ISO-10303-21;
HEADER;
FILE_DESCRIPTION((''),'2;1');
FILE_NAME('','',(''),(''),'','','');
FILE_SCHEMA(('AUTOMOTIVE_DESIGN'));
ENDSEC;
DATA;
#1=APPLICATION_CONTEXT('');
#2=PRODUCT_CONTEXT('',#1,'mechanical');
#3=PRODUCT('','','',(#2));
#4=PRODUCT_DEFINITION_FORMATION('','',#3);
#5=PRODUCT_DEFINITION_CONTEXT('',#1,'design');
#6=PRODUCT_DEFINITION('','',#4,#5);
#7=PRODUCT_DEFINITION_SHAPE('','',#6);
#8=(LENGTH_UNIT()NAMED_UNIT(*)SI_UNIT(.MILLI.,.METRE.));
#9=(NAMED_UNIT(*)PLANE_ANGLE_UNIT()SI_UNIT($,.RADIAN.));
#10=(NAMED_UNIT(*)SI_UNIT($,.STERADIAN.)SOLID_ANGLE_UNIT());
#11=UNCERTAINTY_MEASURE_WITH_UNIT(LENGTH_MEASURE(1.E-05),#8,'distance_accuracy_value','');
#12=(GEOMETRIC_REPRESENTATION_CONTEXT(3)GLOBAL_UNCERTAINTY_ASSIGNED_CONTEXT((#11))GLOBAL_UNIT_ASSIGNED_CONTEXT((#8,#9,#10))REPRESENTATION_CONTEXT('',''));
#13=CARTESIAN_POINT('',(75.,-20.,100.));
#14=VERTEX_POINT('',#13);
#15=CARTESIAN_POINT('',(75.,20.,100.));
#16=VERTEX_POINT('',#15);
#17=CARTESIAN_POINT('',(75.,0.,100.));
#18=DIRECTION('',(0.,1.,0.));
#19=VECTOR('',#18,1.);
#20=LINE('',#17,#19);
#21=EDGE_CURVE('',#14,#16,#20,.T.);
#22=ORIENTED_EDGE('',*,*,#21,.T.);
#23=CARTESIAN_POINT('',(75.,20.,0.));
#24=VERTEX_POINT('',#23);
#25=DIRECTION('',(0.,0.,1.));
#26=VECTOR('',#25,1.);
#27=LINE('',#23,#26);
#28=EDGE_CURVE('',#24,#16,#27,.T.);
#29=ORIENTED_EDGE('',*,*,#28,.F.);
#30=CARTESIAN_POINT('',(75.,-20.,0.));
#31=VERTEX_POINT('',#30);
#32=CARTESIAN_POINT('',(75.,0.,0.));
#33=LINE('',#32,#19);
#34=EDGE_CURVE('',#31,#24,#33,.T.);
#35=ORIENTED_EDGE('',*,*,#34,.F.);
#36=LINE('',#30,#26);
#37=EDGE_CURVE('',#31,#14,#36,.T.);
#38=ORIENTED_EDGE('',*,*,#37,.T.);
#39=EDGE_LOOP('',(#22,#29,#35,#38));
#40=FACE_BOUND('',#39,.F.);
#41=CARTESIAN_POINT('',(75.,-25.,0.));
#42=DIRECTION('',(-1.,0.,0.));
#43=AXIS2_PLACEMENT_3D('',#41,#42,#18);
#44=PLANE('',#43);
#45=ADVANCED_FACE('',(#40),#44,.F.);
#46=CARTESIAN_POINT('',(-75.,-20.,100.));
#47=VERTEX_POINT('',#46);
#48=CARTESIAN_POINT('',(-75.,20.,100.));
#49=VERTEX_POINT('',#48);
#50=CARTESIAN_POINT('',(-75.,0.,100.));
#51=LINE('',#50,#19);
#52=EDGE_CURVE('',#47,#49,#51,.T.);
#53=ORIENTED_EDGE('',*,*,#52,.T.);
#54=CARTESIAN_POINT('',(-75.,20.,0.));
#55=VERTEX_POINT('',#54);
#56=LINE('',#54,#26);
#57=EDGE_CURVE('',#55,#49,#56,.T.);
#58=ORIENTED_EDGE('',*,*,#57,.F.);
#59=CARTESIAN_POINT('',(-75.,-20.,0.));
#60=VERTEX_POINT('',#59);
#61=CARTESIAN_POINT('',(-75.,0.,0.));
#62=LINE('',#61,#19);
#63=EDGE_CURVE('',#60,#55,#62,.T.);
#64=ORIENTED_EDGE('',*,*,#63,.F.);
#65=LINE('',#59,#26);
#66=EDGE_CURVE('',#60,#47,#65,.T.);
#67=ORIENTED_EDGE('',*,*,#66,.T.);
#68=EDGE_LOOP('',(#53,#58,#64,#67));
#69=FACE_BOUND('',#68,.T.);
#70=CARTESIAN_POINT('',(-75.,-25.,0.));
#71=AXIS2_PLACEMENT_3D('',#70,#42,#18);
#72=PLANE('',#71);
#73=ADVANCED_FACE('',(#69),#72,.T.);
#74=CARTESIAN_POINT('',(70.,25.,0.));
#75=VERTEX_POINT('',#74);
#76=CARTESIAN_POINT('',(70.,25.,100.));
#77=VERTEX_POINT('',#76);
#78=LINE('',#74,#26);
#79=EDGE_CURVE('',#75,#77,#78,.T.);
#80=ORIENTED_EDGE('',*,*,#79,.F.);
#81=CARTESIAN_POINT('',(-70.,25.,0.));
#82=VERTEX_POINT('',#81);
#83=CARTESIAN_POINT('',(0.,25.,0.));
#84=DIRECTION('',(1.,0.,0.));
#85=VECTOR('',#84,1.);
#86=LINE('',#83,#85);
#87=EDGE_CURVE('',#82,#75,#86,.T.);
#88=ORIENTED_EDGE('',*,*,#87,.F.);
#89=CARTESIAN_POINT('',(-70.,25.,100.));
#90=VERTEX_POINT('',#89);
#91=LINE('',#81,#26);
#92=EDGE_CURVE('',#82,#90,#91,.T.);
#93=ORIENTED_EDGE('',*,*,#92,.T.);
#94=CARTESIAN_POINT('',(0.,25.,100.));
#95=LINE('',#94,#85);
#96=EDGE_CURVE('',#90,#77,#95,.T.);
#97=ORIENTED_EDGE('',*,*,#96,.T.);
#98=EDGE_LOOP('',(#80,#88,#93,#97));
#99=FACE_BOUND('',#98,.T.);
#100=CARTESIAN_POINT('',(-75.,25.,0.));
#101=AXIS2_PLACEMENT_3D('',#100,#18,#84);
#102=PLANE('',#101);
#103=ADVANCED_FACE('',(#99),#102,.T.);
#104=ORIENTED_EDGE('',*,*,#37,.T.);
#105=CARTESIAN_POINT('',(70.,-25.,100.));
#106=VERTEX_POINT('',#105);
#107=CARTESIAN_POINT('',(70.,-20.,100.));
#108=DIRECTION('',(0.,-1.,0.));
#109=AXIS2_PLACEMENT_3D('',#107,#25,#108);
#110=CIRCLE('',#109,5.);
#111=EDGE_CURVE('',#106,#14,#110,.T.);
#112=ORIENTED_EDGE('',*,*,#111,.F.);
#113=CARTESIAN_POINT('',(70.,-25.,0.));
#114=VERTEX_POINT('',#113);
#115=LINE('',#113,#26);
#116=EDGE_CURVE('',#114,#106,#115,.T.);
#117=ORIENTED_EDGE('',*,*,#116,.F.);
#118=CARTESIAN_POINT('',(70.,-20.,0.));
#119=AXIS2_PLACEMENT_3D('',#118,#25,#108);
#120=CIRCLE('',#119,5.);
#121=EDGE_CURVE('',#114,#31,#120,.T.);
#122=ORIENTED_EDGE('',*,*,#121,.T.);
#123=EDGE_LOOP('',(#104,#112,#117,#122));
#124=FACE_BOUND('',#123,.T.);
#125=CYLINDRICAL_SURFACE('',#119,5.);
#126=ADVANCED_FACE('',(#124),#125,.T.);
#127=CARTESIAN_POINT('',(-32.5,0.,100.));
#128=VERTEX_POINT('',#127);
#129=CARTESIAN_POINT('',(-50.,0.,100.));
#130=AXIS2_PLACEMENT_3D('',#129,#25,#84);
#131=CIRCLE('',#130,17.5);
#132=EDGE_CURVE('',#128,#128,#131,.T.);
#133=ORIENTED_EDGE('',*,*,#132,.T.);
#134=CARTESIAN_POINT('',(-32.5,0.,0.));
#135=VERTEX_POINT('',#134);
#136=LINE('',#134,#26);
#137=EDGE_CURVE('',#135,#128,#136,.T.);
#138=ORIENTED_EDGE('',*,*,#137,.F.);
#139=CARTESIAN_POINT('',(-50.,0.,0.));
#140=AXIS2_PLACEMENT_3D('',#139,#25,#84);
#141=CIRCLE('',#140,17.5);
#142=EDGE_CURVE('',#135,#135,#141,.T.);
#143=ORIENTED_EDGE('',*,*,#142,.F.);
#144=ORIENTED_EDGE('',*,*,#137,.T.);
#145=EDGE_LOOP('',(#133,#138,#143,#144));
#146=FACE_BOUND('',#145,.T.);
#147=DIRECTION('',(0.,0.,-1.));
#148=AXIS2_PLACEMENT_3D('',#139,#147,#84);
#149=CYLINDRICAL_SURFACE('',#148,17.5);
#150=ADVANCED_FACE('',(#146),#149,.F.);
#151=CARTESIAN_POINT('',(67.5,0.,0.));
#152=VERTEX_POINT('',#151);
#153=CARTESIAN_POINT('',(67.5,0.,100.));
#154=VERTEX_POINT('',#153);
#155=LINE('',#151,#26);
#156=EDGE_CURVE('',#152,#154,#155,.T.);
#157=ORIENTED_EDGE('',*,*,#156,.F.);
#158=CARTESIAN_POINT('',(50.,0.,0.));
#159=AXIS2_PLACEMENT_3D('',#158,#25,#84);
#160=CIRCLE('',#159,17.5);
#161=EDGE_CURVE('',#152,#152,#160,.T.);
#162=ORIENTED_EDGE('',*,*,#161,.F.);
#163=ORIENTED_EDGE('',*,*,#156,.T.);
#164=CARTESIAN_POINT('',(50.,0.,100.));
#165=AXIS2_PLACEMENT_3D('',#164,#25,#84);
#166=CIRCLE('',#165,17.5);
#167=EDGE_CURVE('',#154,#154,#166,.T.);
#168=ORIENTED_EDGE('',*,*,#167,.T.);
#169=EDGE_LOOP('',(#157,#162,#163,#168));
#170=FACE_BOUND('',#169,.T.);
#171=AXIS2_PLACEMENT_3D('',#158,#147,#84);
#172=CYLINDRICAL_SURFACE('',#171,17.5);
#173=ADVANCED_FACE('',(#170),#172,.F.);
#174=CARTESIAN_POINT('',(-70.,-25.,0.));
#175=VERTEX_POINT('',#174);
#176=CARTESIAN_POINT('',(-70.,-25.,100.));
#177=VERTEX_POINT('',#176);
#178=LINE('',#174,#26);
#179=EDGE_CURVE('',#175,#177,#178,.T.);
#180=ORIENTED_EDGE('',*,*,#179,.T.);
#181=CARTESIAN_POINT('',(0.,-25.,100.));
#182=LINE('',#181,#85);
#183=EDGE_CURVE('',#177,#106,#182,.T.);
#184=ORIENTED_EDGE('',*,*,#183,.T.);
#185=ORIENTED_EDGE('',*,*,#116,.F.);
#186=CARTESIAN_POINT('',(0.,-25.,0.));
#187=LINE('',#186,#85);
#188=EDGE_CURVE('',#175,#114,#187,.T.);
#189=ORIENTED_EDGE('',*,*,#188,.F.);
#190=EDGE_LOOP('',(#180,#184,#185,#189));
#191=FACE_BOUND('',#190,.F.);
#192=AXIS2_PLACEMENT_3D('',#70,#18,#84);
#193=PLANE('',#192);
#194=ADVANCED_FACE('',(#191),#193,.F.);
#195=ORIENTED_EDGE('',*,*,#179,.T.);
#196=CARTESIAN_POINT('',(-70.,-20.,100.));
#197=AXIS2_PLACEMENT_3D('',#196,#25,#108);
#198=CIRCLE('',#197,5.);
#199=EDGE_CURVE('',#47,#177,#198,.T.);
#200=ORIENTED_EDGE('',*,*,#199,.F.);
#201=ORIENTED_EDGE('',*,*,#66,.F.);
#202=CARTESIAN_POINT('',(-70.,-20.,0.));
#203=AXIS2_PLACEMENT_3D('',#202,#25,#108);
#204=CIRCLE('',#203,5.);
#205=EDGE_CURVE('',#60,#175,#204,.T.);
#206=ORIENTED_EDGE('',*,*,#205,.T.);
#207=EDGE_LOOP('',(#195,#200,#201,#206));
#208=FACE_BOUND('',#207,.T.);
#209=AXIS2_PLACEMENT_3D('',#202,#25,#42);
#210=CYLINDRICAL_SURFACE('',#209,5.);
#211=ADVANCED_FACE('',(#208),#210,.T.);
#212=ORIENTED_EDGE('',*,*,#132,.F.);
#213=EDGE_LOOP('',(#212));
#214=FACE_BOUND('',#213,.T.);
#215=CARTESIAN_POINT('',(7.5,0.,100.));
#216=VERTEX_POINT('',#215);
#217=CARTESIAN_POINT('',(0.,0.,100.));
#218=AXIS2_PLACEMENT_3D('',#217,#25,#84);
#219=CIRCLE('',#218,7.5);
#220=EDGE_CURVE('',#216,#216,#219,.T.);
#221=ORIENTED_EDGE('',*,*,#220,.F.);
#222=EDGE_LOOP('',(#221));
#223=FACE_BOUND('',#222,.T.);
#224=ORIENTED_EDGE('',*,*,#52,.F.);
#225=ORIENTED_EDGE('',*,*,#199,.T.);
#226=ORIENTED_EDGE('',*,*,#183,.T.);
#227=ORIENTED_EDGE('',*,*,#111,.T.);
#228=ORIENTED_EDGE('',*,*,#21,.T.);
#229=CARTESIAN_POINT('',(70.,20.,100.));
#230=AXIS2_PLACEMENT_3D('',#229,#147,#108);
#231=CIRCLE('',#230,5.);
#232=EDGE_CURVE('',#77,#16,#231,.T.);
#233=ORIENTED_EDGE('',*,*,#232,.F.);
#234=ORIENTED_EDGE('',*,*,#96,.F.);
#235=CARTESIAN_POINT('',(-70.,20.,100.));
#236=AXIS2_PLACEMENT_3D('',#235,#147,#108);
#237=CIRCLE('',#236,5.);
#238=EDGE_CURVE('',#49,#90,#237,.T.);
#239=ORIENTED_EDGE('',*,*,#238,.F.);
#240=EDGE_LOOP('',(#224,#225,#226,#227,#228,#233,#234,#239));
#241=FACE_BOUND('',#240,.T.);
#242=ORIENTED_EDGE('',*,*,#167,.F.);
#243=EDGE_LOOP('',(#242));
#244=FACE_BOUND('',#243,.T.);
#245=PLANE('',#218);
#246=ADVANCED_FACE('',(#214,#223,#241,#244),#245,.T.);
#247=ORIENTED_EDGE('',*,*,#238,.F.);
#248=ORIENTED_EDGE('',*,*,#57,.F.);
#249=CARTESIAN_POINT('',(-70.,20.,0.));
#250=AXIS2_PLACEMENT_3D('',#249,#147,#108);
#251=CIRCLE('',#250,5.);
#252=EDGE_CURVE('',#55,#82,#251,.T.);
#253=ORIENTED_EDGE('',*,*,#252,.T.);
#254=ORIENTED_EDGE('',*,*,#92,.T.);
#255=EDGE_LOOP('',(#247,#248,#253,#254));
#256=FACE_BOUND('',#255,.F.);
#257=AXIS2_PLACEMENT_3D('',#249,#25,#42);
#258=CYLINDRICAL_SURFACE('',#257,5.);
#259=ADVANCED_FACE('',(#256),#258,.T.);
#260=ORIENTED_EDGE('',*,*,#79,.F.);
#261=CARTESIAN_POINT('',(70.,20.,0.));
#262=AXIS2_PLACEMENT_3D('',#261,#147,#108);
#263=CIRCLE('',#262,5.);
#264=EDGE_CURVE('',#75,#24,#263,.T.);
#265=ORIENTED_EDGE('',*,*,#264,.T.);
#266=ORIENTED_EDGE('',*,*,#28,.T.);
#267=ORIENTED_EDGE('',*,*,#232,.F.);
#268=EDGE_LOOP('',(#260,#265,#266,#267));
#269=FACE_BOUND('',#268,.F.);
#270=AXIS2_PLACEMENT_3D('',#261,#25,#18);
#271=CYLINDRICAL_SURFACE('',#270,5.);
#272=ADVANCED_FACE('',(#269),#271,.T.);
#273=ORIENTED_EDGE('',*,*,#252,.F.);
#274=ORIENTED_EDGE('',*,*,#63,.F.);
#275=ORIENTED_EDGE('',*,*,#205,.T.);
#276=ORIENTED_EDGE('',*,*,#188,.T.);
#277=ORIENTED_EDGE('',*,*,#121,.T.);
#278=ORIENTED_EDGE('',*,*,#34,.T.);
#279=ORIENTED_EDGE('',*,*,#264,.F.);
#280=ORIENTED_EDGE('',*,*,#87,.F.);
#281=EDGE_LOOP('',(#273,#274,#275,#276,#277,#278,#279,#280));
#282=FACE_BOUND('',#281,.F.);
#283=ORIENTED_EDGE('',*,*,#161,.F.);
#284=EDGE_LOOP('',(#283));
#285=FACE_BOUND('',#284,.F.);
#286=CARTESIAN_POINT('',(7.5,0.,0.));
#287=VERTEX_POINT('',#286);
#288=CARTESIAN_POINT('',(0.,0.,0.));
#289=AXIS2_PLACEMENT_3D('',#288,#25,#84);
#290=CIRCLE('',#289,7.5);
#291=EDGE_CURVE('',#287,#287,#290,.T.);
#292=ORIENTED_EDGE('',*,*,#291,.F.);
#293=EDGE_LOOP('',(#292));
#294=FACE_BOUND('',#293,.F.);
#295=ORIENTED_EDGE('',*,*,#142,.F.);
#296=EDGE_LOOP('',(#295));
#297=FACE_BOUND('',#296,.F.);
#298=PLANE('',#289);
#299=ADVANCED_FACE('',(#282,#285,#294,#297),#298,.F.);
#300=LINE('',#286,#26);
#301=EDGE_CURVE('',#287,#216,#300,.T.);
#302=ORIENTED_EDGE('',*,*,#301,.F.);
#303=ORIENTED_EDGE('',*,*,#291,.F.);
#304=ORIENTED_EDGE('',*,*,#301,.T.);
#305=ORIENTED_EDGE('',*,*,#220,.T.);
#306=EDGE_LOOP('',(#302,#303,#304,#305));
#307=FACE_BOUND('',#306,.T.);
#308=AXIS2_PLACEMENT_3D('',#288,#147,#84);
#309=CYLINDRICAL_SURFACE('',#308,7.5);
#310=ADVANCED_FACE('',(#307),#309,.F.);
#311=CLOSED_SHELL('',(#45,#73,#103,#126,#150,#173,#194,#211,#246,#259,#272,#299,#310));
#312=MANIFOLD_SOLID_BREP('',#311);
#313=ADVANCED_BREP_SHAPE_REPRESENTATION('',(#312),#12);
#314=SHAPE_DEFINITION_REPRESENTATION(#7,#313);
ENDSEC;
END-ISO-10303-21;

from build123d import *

# Parameters (mm, degrees)
F0_W     = 150
F0_H     = 50
F0_R     = 17.5
F0_R_2   = 7.5
F1_DEPTH = 100
F2_R     = 5


with BuildPart() as f1:
    # F0 (on Top) → F1 (new body)
    with BuildSketch(Plane.XY):
        Rectangle(F0_W, F0_H)
        with Locations((-50, 0)):
            Circle(F0_R, mode=Mode.SUBTRACT)
        Circle(F0_R_2, mode=Mode.SUBTRACT)
        with Locations((50, 0)):
            Circle(F0_R, mode=Mode.SUBTRACT)
    extrude(amount=F1_DEPTH)

    # F2
    f2_edges = [f1.edges().sort_by_distance(p)[0] for p in [
        (-75, -25, 50),
        (75, -25, 50),
        (75, 25, 50),
        (-75, 25, 50),
    ]]
    fillet(f2_edges, radius=F2_R)


solid = f1.part
